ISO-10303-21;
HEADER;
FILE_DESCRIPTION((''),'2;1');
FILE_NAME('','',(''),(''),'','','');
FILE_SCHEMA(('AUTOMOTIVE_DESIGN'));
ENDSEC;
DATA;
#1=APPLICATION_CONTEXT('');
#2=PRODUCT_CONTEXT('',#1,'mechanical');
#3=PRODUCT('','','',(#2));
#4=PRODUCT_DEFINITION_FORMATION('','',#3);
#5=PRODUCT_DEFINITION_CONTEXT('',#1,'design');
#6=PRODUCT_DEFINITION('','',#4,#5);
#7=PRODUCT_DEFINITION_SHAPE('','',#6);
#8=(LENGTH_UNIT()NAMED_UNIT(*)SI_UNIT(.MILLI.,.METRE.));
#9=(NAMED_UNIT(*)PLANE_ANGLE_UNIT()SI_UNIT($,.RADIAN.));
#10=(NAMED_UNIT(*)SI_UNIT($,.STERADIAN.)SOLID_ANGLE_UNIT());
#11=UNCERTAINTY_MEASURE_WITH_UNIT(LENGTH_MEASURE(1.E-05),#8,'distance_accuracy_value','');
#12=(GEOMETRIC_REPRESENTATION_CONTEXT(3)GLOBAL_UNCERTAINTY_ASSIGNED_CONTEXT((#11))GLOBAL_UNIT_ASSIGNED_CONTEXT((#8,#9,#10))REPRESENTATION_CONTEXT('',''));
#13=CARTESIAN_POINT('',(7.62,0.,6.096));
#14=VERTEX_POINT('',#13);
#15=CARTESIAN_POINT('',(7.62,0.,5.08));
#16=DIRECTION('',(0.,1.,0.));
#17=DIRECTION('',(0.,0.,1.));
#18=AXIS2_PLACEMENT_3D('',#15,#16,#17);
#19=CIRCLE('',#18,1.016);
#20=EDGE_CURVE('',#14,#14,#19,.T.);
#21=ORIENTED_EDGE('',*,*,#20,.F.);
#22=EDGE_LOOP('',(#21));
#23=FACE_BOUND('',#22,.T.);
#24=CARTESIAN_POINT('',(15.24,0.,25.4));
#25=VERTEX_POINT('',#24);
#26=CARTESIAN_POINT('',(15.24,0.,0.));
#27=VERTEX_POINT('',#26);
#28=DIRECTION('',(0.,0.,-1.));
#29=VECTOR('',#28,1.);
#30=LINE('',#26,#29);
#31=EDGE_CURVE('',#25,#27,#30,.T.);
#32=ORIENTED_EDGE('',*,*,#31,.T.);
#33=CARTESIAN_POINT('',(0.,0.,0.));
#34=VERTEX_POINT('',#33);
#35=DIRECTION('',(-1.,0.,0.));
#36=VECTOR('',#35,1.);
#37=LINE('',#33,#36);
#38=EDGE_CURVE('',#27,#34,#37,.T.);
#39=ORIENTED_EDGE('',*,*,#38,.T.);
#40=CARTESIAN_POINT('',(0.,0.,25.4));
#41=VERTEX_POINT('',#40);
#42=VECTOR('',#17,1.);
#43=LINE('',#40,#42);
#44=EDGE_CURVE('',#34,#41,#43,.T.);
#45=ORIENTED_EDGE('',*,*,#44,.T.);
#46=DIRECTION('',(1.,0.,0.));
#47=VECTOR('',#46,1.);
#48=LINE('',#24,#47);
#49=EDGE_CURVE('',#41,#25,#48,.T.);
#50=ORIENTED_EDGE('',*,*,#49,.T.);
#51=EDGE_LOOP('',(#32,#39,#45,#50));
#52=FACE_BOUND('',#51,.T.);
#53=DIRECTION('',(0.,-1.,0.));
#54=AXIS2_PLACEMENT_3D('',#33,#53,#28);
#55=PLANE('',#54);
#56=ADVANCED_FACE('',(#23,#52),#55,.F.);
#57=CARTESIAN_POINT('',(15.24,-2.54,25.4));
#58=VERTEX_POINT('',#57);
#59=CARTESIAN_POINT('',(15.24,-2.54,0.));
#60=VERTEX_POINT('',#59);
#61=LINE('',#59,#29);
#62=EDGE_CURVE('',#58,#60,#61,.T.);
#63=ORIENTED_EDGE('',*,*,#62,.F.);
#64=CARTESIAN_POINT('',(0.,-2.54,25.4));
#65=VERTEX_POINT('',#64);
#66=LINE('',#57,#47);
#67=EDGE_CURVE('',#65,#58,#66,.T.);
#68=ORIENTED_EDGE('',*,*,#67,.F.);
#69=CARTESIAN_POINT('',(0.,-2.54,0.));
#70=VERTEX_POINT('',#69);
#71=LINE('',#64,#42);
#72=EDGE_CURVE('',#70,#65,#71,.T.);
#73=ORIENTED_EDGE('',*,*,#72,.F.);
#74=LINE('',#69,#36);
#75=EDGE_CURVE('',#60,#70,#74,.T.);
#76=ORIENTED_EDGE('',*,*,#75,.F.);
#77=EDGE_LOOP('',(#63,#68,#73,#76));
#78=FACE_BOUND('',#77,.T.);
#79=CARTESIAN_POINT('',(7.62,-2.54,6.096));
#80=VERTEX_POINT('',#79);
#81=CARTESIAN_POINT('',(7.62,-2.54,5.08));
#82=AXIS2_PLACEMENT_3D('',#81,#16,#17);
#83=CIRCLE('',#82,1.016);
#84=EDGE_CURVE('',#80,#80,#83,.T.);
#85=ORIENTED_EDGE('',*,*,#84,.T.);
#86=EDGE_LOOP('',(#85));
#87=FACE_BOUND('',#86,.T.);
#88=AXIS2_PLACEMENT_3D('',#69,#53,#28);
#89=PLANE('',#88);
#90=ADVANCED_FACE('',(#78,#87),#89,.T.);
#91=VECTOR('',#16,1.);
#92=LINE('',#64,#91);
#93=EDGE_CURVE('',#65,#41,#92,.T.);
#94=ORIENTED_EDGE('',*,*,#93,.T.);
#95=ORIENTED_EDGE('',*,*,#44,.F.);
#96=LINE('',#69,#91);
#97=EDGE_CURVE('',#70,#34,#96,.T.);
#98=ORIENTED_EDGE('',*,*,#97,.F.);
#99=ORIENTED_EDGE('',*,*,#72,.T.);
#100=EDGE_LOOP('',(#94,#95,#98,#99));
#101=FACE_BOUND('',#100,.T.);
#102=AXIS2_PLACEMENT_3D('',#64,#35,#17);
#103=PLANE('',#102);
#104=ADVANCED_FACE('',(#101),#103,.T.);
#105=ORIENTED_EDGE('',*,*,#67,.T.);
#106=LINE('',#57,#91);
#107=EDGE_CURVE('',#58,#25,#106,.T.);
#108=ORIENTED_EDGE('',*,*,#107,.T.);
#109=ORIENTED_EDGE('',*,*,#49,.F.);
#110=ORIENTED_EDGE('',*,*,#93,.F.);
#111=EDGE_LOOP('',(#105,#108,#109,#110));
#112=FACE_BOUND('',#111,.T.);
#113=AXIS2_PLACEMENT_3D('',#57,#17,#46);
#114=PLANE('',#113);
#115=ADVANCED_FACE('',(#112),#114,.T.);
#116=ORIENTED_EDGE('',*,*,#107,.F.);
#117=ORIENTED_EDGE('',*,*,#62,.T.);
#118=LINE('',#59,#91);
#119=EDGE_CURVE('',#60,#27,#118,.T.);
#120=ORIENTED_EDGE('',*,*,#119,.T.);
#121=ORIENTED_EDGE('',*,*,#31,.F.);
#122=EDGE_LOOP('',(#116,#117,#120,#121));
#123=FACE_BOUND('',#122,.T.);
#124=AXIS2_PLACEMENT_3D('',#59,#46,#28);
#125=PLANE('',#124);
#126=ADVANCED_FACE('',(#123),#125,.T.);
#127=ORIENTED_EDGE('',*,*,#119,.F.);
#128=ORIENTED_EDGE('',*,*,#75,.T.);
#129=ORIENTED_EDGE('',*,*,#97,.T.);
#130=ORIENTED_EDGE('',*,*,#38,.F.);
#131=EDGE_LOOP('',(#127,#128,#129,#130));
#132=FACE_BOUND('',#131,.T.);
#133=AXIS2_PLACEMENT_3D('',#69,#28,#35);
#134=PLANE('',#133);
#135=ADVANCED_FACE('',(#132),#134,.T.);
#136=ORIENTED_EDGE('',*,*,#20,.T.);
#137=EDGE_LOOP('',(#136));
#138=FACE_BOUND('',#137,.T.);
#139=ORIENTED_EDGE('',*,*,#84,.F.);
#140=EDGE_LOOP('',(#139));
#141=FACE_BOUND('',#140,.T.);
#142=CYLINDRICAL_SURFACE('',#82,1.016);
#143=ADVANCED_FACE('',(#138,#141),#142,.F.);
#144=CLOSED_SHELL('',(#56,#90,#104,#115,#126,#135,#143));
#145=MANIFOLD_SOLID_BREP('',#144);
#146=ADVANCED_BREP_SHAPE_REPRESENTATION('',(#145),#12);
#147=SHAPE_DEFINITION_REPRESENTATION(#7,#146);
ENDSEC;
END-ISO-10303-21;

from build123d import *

# Parameters (mm, degrees)
SKETCH1_W           = 15.24
SKETCH1_H           = 25.4
BOSS_EXTRUDE1_DEPTH = 2.54
SKETCH2_R           = 1.016
CUT_EXTRUDE1_DEPTH  = 30.729937773


with BuildPart() as part:
    # Sketch1 → Boss-Extrude1 (new body)
    with BuildSketch(Plane(origin=(0, 0, 0), x_dir=(1, 0, 0), z_dir=(0, 1, 0))):
        with Locations((7.62, -12.7)):
            Rectangle(SKETCH1_W, SKETCH1_H)
    extrude(amount=-BOSS_EXTRUDE1_DEPTH)

    # Sketch2 → Cut-Extrude1 (cut, through all)
    with BuildSketch(Plane(origin=(0, 0, 0), x_dir=(1, 0, 0), z_dir=(0, 1, 0))):
        with Locations(Location((7.62, -5.08, 0), (0, 0, 270))):
            Circle(SKETCH2_R)
    extrude(amount=-CUT_EXTRUDE1_DEPTH, mode=Mode.SUBTRACT)


solid = part.part
